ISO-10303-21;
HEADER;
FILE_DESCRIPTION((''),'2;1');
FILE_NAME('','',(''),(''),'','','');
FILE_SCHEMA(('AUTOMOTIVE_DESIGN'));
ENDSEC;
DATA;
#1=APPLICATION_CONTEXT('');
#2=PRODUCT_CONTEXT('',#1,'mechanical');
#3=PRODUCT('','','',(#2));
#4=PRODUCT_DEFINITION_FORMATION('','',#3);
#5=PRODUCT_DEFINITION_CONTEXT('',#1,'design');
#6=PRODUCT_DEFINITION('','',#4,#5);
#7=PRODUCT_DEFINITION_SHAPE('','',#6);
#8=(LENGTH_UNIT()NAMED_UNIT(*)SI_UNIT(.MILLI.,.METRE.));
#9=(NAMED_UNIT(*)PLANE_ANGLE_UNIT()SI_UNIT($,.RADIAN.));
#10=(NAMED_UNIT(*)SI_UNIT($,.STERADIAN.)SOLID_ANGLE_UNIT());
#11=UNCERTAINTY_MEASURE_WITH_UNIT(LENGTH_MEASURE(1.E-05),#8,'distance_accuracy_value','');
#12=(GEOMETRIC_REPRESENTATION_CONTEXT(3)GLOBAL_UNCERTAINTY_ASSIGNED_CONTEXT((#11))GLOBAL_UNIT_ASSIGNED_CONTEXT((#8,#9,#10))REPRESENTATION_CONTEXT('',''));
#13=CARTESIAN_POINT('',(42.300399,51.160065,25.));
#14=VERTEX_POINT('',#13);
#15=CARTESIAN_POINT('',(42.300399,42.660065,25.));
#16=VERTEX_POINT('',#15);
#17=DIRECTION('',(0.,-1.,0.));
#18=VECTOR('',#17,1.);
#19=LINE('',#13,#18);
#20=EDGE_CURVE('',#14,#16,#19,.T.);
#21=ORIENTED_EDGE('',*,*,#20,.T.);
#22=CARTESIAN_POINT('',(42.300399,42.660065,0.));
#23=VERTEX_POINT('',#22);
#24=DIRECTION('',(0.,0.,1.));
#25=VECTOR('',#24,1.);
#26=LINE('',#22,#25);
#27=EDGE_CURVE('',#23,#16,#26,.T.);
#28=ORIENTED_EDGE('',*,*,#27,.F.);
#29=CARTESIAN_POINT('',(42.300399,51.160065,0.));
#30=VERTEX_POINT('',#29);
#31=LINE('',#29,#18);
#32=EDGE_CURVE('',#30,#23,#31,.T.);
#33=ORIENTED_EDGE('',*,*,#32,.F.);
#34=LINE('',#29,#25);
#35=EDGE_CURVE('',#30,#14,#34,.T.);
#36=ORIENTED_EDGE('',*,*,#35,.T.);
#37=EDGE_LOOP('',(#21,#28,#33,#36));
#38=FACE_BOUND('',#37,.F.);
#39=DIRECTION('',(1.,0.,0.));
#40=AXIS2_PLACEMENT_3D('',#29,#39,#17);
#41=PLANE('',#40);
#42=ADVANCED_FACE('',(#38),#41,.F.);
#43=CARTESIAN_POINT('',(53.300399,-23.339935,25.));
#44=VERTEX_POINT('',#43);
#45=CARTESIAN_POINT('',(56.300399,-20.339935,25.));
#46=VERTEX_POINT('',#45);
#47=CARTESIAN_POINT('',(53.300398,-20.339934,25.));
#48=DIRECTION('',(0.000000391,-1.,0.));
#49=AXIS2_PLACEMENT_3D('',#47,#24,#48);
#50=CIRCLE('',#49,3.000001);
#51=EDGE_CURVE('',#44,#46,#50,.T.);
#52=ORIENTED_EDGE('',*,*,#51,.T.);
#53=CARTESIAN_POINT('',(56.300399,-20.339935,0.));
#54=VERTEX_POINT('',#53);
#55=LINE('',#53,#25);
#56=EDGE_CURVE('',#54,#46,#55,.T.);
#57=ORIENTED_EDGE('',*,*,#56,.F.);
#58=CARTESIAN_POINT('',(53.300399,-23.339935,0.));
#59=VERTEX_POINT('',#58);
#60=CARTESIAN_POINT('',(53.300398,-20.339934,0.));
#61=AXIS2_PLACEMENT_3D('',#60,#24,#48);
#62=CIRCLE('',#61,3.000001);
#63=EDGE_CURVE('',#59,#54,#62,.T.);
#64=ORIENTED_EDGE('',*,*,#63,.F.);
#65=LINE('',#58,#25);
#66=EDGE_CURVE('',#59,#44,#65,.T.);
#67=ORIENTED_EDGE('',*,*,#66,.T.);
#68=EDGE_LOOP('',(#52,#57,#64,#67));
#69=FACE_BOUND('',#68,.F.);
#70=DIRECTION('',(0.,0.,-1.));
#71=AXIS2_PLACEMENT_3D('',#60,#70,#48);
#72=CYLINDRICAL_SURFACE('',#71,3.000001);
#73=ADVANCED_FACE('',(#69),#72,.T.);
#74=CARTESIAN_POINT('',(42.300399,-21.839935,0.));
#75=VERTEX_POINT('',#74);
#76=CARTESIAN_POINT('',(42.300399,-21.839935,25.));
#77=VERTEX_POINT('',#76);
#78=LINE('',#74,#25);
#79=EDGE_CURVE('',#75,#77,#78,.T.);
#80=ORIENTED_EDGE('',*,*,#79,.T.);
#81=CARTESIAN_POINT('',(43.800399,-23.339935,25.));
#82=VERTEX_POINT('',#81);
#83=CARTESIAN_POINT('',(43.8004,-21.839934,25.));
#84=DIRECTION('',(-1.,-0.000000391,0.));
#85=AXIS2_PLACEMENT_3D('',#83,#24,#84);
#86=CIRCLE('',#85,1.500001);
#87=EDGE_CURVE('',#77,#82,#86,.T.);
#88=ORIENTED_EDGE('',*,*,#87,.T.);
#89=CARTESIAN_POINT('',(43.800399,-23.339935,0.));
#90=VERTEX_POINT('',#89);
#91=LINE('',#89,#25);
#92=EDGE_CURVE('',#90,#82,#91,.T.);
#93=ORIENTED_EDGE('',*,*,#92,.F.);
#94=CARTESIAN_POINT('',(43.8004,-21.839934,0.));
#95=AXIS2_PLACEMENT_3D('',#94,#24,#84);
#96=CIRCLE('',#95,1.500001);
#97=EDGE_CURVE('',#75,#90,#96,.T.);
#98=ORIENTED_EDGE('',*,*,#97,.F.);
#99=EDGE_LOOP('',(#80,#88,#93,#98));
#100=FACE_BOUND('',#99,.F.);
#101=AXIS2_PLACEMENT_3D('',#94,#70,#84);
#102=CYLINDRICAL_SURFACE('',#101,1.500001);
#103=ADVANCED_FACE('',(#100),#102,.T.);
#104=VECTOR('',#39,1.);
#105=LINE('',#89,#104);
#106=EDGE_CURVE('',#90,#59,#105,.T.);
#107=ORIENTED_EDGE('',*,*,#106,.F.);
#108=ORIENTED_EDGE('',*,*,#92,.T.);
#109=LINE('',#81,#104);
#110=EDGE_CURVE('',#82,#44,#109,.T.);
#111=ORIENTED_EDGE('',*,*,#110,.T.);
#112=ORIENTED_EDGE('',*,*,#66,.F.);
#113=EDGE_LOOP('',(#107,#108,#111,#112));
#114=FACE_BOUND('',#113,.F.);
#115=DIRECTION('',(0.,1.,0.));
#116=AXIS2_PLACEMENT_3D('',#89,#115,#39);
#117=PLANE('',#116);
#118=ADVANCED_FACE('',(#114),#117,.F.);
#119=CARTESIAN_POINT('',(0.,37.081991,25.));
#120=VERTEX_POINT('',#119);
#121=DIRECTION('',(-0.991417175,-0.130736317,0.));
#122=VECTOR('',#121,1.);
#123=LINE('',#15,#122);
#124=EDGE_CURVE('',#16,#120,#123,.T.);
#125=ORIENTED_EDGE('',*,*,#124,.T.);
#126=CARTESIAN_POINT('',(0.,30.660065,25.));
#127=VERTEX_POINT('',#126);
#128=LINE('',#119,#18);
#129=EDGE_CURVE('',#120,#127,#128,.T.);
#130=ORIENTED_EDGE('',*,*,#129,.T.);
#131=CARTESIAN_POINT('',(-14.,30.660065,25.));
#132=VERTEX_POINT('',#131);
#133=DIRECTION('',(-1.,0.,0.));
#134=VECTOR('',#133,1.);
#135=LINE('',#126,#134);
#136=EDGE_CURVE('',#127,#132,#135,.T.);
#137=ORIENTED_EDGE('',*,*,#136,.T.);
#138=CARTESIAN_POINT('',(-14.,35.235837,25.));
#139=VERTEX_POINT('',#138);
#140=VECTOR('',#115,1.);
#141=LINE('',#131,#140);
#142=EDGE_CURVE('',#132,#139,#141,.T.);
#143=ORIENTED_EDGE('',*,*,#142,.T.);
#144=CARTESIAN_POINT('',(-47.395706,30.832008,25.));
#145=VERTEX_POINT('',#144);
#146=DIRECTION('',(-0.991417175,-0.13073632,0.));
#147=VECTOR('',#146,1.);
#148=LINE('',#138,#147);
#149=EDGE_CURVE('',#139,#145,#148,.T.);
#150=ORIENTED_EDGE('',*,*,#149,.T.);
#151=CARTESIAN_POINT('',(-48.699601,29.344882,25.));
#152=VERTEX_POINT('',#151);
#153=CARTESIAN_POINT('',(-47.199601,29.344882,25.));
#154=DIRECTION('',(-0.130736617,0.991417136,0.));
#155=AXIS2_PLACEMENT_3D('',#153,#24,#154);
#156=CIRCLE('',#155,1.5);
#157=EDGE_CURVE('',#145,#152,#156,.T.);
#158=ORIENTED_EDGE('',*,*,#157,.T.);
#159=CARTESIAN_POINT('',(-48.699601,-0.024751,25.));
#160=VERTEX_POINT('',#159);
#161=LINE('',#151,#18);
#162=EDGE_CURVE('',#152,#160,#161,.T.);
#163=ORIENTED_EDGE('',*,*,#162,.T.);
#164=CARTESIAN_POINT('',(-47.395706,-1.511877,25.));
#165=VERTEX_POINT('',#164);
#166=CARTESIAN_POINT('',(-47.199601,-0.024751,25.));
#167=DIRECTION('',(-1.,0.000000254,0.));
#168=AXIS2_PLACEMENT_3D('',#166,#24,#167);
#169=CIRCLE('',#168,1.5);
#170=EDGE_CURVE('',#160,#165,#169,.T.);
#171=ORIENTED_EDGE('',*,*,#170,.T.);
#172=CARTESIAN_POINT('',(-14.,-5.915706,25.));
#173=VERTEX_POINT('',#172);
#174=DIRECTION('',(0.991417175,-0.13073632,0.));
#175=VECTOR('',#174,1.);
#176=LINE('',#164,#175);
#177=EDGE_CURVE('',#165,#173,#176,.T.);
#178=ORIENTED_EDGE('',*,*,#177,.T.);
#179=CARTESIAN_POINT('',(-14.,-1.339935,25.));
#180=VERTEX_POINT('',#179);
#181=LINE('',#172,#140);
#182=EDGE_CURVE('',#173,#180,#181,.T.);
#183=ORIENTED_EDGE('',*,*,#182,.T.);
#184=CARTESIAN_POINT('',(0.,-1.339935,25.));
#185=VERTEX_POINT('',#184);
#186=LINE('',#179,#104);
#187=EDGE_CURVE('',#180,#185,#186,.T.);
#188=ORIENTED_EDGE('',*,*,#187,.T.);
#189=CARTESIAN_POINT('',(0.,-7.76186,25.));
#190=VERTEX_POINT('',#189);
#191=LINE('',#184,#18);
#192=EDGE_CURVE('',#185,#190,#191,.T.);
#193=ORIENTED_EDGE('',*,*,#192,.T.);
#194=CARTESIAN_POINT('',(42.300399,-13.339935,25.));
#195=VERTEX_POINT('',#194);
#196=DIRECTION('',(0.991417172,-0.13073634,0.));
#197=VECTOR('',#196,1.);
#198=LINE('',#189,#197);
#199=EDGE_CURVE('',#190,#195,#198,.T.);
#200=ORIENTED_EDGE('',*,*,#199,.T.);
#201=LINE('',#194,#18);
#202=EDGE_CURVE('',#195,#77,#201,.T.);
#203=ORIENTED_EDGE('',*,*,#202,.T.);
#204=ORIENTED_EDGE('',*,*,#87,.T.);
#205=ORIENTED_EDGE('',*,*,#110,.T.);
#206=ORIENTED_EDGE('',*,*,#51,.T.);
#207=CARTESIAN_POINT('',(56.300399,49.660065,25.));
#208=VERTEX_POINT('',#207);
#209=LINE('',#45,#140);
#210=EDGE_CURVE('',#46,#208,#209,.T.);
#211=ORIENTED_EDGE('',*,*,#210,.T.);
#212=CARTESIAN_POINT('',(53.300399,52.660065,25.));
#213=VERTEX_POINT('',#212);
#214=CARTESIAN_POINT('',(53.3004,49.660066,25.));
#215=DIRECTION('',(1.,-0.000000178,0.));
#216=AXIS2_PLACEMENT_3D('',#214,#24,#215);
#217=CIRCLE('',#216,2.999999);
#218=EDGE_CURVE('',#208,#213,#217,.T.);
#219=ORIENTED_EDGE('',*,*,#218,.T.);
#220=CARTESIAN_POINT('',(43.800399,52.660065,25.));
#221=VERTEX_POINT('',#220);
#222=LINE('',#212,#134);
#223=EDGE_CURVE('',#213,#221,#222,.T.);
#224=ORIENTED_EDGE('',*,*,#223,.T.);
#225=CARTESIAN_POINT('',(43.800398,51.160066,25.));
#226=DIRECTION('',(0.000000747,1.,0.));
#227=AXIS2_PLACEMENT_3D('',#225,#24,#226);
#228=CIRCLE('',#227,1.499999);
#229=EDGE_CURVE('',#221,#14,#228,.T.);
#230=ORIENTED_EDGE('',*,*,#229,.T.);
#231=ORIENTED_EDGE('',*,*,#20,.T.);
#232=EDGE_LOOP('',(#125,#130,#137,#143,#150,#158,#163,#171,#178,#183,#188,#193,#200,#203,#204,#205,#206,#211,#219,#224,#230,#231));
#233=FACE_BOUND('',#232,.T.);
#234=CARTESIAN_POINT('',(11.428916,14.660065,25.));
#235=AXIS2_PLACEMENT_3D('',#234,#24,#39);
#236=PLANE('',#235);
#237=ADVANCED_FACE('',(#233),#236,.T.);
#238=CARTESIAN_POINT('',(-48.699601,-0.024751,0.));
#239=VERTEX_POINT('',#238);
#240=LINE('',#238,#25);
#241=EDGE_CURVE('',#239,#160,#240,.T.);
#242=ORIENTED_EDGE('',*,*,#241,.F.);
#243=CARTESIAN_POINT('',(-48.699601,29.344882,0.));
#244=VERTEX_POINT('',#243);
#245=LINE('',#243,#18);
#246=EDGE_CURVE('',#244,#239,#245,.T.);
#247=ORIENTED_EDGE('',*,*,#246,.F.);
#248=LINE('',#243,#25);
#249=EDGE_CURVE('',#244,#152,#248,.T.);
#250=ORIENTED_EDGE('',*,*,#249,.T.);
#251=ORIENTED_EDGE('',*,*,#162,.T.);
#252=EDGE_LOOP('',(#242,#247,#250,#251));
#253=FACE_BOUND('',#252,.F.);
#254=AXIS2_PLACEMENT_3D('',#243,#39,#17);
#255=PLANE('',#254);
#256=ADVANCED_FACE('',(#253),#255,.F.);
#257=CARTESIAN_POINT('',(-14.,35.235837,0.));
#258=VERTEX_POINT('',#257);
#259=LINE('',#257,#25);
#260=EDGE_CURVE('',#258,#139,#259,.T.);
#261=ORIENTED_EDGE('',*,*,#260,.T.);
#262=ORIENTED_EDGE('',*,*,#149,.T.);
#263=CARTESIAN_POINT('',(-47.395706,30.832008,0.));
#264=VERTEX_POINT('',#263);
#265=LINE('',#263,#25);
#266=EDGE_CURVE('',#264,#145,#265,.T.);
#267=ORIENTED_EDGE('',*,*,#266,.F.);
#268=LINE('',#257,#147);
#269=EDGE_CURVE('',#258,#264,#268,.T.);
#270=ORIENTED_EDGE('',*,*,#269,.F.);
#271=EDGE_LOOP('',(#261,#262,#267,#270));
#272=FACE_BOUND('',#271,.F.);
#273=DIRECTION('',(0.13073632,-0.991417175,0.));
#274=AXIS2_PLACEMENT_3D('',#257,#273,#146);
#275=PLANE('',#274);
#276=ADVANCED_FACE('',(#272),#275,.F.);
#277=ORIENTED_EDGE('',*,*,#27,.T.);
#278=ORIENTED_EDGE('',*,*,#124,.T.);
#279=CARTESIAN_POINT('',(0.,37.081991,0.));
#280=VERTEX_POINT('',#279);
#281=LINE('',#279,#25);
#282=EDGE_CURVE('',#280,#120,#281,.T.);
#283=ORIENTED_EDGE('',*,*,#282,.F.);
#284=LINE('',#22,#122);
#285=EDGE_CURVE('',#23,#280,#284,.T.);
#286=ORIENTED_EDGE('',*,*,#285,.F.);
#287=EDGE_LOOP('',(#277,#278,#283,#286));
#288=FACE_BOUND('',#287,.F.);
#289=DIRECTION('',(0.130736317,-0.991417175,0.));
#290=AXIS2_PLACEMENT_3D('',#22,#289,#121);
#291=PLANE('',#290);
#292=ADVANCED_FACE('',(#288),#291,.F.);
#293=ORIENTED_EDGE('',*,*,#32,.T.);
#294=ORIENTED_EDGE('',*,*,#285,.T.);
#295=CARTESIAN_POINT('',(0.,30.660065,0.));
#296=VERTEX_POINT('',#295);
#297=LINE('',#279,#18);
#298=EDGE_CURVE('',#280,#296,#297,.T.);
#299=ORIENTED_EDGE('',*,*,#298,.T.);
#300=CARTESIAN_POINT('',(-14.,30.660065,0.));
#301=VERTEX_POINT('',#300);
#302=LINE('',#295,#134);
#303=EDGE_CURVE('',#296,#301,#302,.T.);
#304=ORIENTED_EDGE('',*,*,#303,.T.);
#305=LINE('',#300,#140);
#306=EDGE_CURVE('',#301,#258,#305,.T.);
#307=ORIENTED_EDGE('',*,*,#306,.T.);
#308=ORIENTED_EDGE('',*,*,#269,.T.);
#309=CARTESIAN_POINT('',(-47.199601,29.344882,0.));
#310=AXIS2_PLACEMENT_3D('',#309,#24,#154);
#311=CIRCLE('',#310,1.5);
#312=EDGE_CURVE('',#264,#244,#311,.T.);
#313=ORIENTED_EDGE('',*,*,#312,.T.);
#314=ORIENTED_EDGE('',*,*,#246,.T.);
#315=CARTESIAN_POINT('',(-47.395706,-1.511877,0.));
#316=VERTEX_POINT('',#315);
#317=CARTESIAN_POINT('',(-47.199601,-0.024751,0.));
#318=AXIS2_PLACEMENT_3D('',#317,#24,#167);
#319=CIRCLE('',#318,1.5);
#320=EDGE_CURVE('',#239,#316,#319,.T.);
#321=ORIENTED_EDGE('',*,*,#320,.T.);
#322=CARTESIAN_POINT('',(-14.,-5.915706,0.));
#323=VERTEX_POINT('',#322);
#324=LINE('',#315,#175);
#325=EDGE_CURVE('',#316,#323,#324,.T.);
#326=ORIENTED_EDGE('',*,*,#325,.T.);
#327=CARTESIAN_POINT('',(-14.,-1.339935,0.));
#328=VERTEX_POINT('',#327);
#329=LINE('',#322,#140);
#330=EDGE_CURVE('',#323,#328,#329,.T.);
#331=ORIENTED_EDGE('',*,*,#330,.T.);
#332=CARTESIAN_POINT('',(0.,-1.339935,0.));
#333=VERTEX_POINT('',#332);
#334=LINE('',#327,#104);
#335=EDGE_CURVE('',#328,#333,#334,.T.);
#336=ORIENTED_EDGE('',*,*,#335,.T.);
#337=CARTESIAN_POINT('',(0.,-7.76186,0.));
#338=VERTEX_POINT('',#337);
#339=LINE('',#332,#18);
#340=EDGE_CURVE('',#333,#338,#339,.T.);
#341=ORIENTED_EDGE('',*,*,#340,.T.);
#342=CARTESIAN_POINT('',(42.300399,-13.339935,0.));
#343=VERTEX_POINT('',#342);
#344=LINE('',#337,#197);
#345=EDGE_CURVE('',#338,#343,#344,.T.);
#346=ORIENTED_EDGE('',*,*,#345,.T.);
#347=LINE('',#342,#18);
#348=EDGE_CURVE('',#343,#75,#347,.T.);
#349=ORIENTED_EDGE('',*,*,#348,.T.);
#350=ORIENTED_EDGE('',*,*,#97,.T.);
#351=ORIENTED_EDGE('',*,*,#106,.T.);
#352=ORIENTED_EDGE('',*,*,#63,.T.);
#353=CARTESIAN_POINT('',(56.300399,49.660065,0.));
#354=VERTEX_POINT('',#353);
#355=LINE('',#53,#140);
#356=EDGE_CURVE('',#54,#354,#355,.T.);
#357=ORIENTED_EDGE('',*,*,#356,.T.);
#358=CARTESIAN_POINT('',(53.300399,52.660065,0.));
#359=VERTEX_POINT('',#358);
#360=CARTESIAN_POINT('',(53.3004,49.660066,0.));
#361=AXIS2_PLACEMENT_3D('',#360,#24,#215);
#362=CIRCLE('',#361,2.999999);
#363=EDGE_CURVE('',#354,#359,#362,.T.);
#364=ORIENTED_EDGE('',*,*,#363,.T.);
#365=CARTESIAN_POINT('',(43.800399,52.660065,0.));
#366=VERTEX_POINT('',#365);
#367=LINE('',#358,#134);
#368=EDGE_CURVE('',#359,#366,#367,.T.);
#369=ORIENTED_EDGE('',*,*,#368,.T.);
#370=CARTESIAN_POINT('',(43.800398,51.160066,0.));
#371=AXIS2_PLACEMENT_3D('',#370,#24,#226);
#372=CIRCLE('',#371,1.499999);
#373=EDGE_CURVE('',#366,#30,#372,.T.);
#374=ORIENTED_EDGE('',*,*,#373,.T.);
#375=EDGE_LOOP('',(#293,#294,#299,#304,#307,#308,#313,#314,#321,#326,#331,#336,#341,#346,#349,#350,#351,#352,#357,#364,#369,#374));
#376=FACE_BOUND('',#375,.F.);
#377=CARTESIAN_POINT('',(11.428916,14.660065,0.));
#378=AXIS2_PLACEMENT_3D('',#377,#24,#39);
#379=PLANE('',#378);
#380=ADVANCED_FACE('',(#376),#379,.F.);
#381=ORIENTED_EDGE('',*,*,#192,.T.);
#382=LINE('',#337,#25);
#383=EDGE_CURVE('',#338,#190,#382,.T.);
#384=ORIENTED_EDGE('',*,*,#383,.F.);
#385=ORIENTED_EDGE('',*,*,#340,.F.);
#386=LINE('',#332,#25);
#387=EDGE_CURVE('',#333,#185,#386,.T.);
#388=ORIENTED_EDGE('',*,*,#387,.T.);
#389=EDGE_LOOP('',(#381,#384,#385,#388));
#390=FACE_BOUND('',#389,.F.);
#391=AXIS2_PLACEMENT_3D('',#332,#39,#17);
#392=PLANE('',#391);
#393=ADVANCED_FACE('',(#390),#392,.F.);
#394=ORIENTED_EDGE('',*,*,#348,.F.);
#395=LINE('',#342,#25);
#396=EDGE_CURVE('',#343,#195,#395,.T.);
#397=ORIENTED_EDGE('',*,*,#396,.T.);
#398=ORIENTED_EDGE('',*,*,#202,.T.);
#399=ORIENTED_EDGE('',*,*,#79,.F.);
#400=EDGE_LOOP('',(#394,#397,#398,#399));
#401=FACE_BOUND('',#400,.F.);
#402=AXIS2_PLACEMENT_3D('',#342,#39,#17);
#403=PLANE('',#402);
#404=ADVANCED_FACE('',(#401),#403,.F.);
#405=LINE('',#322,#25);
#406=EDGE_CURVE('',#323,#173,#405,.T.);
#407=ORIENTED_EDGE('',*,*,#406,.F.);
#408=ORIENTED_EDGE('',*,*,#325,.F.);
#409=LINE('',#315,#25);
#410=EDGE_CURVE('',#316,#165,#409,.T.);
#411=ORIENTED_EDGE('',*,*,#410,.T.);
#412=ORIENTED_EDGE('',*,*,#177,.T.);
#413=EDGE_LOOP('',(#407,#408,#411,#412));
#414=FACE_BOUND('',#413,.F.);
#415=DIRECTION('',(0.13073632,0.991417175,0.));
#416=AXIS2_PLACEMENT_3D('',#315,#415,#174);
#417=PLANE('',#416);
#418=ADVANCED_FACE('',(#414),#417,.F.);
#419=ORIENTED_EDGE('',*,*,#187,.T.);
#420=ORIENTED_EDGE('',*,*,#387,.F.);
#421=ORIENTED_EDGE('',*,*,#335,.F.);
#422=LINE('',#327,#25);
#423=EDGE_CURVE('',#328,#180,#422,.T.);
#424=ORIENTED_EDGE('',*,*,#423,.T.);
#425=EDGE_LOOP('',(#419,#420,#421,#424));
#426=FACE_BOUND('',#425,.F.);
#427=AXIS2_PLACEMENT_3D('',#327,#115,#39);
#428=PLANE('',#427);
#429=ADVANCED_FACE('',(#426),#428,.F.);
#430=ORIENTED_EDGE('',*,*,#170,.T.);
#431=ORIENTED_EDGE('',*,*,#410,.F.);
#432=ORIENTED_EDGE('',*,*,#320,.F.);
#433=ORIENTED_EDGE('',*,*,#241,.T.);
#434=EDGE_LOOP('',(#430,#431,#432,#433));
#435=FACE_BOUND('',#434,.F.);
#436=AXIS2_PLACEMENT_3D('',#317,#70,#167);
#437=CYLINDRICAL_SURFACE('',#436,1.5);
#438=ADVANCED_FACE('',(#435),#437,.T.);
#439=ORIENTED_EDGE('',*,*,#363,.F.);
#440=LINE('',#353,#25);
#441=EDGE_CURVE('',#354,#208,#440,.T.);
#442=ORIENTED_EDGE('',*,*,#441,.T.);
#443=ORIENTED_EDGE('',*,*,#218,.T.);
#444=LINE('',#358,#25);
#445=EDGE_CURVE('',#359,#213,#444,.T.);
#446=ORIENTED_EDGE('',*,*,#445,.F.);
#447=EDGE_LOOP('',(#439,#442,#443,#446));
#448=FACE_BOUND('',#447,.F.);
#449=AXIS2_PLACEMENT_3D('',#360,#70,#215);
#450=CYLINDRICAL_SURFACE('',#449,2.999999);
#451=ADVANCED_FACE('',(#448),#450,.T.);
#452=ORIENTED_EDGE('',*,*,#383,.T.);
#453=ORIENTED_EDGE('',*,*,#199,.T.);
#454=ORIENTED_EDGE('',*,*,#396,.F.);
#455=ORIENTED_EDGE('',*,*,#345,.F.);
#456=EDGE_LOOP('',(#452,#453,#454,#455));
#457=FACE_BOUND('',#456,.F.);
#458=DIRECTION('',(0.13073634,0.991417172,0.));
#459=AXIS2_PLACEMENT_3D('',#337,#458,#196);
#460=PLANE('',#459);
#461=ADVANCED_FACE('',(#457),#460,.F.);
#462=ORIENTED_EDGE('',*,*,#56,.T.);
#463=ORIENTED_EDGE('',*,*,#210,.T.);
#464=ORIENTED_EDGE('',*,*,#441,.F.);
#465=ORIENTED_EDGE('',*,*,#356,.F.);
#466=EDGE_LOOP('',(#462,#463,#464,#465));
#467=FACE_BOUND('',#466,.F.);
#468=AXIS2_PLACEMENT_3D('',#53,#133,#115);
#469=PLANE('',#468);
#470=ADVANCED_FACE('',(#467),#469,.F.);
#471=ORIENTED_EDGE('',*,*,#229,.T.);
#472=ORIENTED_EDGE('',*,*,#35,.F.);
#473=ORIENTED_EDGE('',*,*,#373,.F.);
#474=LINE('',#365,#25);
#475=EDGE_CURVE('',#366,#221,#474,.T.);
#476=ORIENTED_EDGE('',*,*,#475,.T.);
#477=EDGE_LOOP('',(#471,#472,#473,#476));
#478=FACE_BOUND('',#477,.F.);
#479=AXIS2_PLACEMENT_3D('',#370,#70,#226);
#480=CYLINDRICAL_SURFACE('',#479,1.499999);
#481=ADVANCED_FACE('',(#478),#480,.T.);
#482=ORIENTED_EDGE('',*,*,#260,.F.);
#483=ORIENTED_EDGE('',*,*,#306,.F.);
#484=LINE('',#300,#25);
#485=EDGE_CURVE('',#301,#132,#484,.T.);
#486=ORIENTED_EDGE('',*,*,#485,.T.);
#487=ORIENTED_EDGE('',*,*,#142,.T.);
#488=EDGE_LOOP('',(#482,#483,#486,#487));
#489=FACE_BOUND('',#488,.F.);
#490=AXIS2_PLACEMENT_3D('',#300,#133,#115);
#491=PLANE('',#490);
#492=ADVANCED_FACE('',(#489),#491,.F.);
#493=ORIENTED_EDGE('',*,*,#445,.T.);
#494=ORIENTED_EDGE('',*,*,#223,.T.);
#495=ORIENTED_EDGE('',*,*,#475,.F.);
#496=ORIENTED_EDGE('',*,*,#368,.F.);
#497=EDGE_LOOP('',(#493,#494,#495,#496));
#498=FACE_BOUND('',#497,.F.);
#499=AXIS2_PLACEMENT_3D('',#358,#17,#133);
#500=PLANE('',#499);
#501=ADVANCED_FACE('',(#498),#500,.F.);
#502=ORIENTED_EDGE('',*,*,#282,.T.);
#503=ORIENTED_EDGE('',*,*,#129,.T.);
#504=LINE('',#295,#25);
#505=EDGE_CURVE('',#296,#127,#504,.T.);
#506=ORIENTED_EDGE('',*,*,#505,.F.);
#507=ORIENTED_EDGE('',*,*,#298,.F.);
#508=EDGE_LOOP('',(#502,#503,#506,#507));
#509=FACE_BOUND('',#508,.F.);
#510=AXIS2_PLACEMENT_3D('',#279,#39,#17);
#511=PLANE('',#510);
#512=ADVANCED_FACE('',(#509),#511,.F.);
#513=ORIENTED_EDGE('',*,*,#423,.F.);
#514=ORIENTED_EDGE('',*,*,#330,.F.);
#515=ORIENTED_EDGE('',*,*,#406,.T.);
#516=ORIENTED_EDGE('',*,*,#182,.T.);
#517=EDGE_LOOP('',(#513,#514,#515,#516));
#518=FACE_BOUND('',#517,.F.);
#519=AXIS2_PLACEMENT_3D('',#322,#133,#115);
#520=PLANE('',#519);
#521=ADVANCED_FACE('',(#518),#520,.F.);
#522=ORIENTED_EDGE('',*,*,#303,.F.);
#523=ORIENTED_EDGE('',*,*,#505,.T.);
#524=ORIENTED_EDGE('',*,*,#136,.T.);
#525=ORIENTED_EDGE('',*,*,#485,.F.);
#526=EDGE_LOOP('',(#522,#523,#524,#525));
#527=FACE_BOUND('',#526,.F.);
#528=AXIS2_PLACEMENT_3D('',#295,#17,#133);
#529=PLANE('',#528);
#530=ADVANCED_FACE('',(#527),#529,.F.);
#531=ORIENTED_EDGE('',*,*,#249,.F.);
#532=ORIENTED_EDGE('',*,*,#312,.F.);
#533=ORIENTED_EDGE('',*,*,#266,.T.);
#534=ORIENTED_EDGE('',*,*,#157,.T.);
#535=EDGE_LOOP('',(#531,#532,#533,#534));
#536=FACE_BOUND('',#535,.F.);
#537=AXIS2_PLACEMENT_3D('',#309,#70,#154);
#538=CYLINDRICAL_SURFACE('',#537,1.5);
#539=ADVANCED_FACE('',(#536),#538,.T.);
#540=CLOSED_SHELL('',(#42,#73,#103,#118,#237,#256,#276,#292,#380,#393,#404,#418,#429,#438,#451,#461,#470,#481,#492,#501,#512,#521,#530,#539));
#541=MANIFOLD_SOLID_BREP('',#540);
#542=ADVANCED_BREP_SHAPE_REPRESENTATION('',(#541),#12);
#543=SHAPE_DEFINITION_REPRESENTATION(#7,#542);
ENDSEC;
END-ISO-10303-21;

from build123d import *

# Parameters (mm, degrees)
F1_DEPTH = 25


with BuildPart() as f1:
    # F0 (on Top) → F1 (new body)
    with BuildSketch(Plane.XY):
        with BuildLine():
            Line((56.300399, -20.339935), (56.300399, 49.660065))
            ThreePointArc((56.300399, 49.660065), (55.421719, 51.781386), (53.300399, 52.660065))
            Line((53.300399, 52.660065), (43.800399, 52.660065))
            ThreePointArc((43.800399, 52.660065), (42.739739, 52.220726), (42.300399, 51.160065))
            Line((42.300399, 51.160065), (42.300399, 42.660065))
            Line((42.300399, 42.660065), (0, 37.081991))
            Line((0, 37.081991), (0, 30.660065))
            Line((0, 30.660065), (-14, 30.660065))
            Line((-14, 30.660065), (-14, 35.235837))
            Line((-14, 35.235837), (-47.395706, 30.832008))
            ThreePointArc((-47.395706, 30.832008), (-48.327466, 30.333781), (-48.699601, 29.344882))
            Line((-48.699601, 29.344882), (-48.699601, 14.660065))
            Line((-48.699601, 14.660065), (-48.699601, -0.024751))
            ThreePointArc((-48.699601, -0.024751), (-48.327466, -1.01365), (-47.395706, -1.511877))
            Line((-47.395706, -1.511877), (-14, -5.915706))
            Line((-14, -5.915706), (-14, -1.339935))
            Line((-14, -1.339935), (0, -1.339935))
            Line((0, -1.339935), (0, -7.76186))
            Line((0, -7.76186), (42.300399, -13.339935))
            Line((42.300399, -13.339935), (42.300399, -21.839935))
            ThreePointArc((42.300399, -21.839935), (42.739739, -22.900595), (43.800399, -23.339935))
            Line((43.800399, -23.339935), (53.300399, -23.339935))
            ThreePointArc((53.300399, -23.339935), (55.421719, -22.461255), (56.300399, -20.339935))
        make_face()
    extrude(amount=F1_DEPTH)


solid = f1.part
